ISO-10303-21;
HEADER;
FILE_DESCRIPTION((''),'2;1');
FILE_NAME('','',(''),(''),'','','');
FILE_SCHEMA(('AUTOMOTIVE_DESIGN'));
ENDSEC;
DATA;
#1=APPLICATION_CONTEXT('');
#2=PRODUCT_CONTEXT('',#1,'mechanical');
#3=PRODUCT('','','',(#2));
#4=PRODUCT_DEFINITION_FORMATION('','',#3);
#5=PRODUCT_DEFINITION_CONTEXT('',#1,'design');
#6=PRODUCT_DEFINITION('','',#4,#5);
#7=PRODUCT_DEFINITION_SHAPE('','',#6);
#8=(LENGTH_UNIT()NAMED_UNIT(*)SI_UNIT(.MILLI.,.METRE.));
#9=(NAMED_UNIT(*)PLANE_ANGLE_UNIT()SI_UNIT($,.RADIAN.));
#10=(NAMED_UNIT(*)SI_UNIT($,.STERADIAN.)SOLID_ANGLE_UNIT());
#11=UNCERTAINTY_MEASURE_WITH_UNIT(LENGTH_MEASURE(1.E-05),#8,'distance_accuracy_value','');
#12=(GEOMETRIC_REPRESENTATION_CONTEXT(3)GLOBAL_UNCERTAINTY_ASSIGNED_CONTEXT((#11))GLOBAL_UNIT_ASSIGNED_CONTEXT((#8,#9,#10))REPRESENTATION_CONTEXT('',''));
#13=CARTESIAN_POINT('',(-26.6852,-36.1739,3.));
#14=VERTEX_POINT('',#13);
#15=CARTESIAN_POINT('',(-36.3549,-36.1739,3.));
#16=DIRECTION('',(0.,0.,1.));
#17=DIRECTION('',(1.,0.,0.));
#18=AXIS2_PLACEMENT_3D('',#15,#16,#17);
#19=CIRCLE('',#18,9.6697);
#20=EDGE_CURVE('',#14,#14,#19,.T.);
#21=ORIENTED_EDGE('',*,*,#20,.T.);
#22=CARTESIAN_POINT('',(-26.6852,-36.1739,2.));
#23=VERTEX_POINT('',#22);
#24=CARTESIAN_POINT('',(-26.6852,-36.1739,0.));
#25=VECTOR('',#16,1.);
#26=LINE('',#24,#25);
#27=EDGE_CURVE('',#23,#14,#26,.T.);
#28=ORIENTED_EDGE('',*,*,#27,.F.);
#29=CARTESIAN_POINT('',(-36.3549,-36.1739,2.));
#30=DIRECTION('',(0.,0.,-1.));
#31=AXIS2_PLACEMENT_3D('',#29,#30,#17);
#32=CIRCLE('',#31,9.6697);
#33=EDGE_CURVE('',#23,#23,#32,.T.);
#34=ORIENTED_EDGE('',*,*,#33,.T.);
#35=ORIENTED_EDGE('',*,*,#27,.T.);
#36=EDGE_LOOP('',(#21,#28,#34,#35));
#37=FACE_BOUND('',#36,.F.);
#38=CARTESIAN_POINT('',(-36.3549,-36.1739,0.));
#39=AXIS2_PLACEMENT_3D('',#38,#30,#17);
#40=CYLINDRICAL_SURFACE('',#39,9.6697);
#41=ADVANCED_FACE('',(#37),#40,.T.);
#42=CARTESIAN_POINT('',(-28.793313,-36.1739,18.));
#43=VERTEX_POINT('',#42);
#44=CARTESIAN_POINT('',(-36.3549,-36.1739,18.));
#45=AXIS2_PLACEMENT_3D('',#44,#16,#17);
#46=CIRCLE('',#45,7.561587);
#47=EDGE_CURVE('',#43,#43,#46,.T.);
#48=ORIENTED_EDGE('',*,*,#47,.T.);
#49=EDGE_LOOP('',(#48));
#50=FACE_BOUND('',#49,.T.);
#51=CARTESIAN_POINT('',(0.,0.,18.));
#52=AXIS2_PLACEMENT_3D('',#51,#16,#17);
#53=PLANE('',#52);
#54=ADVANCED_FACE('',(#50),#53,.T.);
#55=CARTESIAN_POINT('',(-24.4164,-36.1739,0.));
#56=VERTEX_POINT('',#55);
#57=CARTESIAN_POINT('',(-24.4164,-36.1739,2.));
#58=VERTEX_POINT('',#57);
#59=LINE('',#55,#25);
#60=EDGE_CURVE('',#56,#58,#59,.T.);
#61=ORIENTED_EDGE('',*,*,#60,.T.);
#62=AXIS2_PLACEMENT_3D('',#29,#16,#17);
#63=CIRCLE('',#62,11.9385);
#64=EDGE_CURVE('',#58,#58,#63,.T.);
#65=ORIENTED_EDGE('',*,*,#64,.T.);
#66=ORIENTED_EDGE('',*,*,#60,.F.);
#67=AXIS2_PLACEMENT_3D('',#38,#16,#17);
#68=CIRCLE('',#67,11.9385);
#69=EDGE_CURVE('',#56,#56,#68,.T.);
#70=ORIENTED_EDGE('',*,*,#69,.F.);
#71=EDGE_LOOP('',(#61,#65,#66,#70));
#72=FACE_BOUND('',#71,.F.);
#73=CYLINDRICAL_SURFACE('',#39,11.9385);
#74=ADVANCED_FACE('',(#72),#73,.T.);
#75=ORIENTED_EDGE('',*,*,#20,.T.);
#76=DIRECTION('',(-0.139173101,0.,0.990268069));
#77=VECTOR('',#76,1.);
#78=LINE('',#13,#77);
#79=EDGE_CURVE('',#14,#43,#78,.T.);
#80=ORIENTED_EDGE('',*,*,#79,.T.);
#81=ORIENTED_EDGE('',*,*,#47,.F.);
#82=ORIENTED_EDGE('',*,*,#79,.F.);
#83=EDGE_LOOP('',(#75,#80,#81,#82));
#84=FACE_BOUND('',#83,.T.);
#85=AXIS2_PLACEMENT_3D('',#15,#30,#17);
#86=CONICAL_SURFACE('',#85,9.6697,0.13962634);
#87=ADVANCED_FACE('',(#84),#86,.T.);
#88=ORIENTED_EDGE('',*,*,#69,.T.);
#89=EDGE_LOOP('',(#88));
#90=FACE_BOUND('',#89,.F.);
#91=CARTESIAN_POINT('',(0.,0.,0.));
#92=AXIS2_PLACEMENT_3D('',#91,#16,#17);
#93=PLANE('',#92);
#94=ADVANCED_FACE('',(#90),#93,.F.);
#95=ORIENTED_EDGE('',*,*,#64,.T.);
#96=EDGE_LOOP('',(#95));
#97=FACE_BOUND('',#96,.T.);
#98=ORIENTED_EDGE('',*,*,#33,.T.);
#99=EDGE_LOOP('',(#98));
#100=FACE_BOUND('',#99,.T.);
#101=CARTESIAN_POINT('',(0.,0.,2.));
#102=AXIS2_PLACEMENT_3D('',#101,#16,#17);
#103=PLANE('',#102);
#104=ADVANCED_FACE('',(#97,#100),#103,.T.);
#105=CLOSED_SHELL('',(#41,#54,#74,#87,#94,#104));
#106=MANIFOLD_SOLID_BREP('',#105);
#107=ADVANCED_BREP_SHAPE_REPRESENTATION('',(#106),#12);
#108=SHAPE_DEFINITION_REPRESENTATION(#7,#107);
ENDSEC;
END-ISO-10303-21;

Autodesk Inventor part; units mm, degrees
ref_plane "YZ Plane" through (0, 0, 0) normal (1, 0, 0) x (0, 1, 0)
ref_plane "XZ Plane" through (0, 0, 0) normal (0, 1, 0) x (-1, 0, 0)
ref_plane "XY Plane" through (0, 0, 0) normal (0, 0, 1) x (1, 0, 0)
sketch "Sketch1" plane through (0, 0, 0) normal (0, 0, 1) x (1, 0, 0)
  arc A0 (-34.8899, -33.6307) -> (-34.8899, -38.7172) centre (-36.3549, -36.1739) ccw projected
  circle A1 centre (-36.3549, -36.1739) radius 9.6697
  point P0 (0, 0)
extrude "Extrusion1" add sketch "Sketch1" along normal blind 18
chamfer "Chamfer2" distance 15 angle 8 1 edges at (-46.0245, -36.1739, 18) measured on face at (-26.7165, -36.952, 12)
ref_plane "Work Plane1" through (0, 0, 0) normal (0, 0, 1) x (1, 0, 0)
sketch "Sketch2" plane through (0, 0, 0) normal (0, 0, 1) x (1, 0, 0)
  circle A0 centre (-36.3549, -36.1739) radius 7.5616 projected
  circle A1 centre (-36.3549, -36.1739) radius 11.9385
  point P0 (0, 0)
extrude "Extrusion2" add sketch "Sketch2" along normal blind 2
properties part number "Knob"
